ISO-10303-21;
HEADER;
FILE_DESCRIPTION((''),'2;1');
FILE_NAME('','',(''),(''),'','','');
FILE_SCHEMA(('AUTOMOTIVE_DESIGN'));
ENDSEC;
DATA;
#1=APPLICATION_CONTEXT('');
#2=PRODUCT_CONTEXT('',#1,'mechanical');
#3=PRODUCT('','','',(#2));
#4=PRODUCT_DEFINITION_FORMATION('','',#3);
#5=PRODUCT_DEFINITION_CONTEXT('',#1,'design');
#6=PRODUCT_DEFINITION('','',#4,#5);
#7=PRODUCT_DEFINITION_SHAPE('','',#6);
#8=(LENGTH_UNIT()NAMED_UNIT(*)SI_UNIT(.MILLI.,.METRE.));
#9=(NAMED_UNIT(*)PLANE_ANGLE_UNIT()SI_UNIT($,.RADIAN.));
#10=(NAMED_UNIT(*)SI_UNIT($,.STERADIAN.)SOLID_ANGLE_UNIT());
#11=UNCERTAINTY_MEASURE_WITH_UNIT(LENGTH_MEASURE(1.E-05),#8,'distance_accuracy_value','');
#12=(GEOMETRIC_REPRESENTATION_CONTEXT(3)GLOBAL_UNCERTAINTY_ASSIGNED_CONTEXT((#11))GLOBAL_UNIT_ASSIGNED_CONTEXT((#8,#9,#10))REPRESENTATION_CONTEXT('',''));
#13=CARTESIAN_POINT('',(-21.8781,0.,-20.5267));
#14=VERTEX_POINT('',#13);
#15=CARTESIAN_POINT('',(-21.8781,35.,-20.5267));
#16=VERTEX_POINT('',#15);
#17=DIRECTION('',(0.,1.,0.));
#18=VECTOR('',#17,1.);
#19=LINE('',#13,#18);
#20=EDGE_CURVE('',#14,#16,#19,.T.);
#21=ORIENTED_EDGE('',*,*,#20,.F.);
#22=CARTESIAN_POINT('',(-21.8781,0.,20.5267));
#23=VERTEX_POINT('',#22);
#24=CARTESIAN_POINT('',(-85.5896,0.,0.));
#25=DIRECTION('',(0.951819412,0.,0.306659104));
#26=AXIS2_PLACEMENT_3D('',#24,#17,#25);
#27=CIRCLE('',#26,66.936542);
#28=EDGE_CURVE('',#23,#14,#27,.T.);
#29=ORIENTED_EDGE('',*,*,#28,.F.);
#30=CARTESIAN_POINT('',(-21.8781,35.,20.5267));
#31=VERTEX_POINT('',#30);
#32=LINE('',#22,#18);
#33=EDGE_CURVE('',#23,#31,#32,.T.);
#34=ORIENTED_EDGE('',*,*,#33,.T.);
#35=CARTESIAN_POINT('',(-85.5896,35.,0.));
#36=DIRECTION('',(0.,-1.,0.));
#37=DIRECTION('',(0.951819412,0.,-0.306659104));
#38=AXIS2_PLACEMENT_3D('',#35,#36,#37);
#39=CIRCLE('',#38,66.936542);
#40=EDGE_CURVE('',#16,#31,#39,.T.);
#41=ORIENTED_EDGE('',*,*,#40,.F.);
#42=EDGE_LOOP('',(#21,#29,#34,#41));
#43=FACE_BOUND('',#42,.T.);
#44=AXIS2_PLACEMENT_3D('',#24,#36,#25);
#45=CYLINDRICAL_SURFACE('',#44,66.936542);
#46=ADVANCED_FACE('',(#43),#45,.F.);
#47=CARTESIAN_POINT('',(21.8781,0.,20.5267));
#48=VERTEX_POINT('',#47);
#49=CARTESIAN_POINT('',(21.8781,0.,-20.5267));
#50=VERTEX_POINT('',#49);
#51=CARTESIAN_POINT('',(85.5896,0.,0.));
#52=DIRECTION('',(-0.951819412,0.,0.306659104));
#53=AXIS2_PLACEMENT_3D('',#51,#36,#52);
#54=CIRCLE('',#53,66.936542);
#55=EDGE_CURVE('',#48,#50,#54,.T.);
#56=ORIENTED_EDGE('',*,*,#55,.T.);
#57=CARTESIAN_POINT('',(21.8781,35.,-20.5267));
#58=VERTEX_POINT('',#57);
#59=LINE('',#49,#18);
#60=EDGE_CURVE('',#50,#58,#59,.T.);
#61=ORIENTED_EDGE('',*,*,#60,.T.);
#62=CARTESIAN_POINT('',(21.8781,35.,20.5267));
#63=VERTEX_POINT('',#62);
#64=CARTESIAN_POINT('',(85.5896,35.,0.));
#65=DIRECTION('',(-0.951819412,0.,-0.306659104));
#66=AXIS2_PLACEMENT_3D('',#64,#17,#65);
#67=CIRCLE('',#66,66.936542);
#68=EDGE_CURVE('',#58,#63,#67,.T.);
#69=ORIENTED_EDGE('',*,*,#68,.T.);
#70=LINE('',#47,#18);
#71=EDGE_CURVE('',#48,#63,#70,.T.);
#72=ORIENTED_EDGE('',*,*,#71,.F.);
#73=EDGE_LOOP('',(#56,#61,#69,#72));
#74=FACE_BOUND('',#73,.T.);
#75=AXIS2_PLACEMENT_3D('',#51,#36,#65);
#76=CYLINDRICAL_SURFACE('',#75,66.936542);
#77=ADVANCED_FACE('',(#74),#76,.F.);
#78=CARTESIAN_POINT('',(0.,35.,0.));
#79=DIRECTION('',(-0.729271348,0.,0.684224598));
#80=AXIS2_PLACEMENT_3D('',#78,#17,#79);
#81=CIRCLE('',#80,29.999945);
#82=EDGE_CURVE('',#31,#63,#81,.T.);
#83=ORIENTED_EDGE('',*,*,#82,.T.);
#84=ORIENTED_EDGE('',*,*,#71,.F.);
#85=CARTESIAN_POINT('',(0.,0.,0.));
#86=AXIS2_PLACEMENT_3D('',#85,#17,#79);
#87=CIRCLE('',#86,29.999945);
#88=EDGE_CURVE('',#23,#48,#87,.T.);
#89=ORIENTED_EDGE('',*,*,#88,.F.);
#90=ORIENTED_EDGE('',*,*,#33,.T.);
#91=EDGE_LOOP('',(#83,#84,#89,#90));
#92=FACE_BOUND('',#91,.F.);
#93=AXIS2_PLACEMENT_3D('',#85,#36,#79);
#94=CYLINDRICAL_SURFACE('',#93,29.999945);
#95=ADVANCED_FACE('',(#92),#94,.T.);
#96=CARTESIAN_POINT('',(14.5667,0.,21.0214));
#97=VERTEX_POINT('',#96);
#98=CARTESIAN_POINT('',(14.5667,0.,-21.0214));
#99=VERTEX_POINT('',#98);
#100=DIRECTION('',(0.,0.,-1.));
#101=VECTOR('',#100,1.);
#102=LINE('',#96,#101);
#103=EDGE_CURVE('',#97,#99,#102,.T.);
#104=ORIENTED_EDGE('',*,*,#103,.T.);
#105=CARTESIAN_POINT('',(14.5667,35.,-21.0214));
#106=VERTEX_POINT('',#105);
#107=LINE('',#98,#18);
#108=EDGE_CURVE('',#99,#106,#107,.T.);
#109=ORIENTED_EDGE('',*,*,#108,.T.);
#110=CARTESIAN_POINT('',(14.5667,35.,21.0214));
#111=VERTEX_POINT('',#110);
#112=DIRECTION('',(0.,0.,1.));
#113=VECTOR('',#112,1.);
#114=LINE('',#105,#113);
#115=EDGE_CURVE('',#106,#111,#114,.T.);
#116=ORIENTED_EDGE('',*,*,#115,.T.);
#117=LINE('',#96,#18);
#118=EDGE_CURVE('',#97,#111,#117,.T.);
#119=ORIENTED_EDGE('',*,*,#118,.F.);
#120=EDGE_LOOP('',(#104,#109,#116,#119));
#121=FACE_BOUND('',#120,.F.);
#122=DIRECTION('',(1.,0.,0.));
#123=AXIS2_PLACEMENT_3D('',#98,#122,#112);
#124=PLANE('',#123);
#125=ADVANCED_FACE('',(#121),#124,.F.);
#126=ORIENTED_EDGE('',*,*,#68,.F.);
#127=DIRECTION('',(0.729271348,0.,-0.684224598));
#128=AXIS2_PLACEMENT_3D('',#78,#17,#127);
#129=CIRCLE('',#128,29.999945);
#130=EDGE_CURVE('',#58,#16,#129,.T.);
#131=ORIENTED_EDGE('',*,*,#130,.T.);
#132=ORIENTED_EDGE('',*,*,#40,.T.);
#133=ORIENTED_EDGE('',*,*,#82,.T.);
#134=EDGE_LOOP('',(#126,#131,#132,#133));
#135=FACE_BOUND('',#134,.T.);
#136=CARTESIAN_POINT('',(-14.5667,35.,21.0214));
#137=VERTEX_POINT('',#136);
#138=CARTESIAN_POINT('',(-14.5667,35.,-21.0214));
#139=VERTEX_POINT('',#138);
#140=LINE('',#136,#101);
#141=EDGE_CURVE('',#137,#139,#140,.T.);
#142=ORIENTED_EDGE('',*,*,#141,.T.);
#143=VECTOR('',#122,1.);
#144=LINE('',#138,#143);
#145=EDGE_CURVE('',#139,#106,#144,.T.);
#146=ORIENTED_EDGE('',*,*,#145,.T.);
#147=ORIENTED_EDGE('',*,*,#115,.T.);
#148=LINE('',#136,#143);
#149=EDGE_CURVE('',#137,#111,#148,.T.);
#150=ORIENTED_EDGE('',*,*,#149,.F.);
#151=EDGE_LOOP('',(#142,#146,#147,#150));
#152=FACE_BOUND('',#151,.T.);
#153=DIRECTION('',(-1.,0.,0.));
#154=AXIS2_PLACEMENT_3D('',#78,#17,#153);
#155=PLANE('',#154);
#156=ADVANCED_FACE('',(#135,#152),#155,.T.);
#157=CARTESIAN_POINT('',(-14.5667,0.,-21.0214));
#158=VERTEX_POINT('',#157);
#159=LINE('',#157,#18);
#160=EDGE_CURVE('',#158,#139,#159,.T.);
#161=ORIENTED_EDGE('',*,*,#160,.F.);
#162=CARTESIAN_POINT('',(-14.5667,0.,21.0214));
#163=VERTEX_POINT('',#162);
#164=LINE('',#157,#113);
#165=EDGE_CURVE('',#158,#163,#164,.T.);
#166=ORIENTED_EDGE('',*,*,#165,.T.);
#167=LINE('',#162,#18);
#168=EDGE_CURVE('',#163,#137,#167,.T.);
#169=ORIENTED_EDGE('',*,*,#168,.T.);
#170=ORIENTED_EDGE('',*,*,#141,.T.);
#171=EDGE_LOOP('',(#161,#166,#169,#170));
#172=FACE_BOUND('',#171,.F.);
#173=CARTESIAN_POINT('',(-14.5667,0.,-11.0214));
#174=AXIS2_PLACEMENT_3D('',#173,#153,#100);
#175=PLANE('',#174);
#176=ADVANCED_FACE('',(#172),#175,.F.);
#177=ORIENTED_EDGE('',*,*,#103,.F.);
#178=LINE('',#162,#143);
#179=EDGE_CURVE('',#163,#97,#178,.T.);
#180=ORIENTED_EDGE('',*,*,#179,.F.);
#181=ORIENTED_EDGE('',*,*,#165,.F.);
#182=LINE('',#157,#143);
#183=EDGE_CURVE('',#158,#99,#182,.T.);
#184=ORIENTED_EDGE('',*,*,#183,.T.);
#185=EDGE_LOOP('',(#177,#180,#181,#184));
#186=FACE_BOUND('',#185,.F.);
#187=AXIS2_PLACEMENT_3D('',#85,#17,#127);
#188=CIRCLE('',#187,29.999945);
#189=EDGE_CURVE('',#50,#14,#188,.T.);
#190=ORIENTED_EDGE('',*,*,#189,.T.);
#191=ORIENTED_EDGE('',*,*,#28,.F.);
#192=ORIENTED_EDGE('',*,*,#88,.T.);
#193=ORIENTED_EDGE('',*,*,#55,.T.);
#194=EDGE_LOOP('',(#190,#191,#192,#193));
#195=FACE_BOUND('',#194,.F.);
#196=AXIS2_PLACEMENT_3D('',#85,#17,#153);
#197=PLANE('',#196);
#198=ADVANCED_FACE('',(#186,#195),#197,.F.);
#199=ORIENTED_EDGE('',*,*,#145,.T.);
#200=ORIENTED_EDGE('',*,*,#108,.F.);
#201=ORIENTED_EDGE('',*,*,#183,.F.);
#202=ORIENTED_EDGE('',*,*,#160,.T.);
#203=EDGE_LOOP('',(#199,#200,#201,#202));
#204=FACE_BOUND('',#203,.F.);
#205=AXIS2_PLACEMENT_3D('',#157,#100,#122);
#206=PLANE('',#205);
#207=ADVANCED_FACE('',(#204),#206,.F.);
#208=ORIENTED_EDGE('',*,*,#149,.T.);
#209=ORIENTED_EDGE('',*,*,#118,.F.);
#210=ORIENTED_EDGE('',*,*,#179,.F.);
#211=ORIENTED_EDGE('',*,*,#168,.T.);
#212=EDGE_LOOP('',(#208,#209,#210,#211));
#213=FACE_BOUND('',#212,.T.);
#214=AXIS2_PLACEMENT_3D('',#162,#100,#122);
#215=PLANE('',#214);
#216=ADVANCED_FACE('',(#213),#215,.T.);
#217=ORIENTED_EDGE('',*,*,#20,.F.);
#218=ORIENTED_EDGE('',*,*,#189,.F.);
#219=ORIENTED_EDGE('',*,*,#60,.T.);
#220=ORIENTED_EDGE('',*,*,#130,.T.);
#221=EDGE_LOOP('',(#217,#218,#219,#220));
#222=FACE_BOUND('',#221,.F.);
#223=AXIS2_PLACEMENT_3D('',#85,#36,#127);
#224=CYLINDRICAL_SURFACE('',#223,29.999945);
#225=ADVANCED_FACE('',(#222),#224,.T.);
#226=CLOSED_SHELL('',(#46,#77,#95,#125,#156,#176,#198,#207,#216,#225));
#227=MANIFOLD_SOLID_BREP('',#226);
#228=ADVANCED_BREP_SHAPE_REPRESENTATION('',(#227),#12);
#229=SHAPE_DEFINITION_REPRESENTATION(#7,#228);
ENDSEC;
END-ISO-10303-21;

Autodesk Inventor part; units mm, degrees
ref_plane "YZ Plane" through (0, 0, 0) normal (1, 0, 0) x (0, 1, 0)
ref_plane "XZ Plane" through (0, 0, 0) normal (0, 1, 0) x (-1, 0, 0)
ref_plane "XY Plane" through (0, 0, 0) normal (0, 0, 1) x (1, 0, 0)
sketch "Эскиз1" plane through (0, 0, 0) normal (0, 1, 0) x (-1, 0, 0)
  arc A0 (-21.8781, -20.5267) -> (-21.8781, 20.5267) centre (-85.5896, 0) ccw
  arc A1 (21.8781, 20.5267) -> (-21.8781, 20.5267) centre (0, 0) ccw
  arc A2 (21.8781, 20.5267) -> (21.8781, -20.5267) centre (85.5896, 0) ccw
  arc A3 (-21.8781, -20.5267) -> (21.8781, -20.5267) centre (0, 0) ccw
  arc A4 (25.4245, 11.0214) -> (14.3699, 31.9141) centre (6.4664, 14.3613) ccw
  arc A5 (14.3699, 31.9141) -> (-14.3699, 31.9141) centre (0, 0) ccw
  arc A6 (-14.3699, 31.9141) -> (-25.4245, 11.0214) centre (-6.4664, 14.3613) ccw
  arc A7 (-25.8326, -10.0276) -> (-25.4245, 11.0214) centre (-79.2616, 1.5368) ccw
  arc A8 (-25.8326, -10.0276) -> (-15.5961, -31.3331) centre (-7.0183, -14.0999) ccw
  arc A9 (-15.5961, -31.3331) -> (15.5961, -31.3331) centre (0, 0) ccw
  arc A10 (15.5961, -31.3331) -> (25.8326, -10.0276) centre (7.0183, -14.0999) ccw
  arc A11 (25.4245, 11.0214) -> (25.8326, -10.0276) centre (79.2616, 1.5368) ccw
  line L0 (19.5667, 11.0214) -> (14.5667, 11.0214)
  line L1 (19.5667, -11.0214) -> (14.5667, -11.0214)
  line L2 (14.5667, -11.0214) -> (14.5667, 11.0214)
  line L3 (0, 0) -> (0, -4.3757)
  line L4 (-19.5667, 11.0214) -> (-14.5667, 11.0214)
  line L5 (-19.5667, -11.0214) -> (-14.5667, -11.0214)
  line L6 (-14.5667, -11.0214) -> (-14.5667, 11.0214)
  line L7 (14.5667, 11.0214) -> (14.5667, 21.0214)
  line L8 (14.5667, 21.0214) -> (-14.5667, 21.0214)
  line L9 (-14.5667, 21.0214) -> (-14.5667, 11.0214)
  line L10 (0, 0) -> (2.4849, 0)
  line L11 (14.5667, -11.0214) -> (14.5667, -21.0214)
  line L12 (14.5667, -21.0214) -> (-14.5667, -21.0214)
  line L13 (-14.5667, -21.0214) -> (-14.5667, -11.0214)
  point P0 (6.4664, -14.3613)
  point P1 (-6.4664, -14.3613)
  dimension "d0" = 5
  dimension "d1" = 5
  dimension "d2" = 10
extrude "Выдавливание1" add sketch "Эскиз1" along normal blind 35 contours A0 L5 L13 L12 L11 L1 A2 A3 | A0 L4 L6 L5 | A0 A1 A2 L0 L7 L8 L9 L4 | L1 L2 L0 A2
properties part number "joint3_2part"
